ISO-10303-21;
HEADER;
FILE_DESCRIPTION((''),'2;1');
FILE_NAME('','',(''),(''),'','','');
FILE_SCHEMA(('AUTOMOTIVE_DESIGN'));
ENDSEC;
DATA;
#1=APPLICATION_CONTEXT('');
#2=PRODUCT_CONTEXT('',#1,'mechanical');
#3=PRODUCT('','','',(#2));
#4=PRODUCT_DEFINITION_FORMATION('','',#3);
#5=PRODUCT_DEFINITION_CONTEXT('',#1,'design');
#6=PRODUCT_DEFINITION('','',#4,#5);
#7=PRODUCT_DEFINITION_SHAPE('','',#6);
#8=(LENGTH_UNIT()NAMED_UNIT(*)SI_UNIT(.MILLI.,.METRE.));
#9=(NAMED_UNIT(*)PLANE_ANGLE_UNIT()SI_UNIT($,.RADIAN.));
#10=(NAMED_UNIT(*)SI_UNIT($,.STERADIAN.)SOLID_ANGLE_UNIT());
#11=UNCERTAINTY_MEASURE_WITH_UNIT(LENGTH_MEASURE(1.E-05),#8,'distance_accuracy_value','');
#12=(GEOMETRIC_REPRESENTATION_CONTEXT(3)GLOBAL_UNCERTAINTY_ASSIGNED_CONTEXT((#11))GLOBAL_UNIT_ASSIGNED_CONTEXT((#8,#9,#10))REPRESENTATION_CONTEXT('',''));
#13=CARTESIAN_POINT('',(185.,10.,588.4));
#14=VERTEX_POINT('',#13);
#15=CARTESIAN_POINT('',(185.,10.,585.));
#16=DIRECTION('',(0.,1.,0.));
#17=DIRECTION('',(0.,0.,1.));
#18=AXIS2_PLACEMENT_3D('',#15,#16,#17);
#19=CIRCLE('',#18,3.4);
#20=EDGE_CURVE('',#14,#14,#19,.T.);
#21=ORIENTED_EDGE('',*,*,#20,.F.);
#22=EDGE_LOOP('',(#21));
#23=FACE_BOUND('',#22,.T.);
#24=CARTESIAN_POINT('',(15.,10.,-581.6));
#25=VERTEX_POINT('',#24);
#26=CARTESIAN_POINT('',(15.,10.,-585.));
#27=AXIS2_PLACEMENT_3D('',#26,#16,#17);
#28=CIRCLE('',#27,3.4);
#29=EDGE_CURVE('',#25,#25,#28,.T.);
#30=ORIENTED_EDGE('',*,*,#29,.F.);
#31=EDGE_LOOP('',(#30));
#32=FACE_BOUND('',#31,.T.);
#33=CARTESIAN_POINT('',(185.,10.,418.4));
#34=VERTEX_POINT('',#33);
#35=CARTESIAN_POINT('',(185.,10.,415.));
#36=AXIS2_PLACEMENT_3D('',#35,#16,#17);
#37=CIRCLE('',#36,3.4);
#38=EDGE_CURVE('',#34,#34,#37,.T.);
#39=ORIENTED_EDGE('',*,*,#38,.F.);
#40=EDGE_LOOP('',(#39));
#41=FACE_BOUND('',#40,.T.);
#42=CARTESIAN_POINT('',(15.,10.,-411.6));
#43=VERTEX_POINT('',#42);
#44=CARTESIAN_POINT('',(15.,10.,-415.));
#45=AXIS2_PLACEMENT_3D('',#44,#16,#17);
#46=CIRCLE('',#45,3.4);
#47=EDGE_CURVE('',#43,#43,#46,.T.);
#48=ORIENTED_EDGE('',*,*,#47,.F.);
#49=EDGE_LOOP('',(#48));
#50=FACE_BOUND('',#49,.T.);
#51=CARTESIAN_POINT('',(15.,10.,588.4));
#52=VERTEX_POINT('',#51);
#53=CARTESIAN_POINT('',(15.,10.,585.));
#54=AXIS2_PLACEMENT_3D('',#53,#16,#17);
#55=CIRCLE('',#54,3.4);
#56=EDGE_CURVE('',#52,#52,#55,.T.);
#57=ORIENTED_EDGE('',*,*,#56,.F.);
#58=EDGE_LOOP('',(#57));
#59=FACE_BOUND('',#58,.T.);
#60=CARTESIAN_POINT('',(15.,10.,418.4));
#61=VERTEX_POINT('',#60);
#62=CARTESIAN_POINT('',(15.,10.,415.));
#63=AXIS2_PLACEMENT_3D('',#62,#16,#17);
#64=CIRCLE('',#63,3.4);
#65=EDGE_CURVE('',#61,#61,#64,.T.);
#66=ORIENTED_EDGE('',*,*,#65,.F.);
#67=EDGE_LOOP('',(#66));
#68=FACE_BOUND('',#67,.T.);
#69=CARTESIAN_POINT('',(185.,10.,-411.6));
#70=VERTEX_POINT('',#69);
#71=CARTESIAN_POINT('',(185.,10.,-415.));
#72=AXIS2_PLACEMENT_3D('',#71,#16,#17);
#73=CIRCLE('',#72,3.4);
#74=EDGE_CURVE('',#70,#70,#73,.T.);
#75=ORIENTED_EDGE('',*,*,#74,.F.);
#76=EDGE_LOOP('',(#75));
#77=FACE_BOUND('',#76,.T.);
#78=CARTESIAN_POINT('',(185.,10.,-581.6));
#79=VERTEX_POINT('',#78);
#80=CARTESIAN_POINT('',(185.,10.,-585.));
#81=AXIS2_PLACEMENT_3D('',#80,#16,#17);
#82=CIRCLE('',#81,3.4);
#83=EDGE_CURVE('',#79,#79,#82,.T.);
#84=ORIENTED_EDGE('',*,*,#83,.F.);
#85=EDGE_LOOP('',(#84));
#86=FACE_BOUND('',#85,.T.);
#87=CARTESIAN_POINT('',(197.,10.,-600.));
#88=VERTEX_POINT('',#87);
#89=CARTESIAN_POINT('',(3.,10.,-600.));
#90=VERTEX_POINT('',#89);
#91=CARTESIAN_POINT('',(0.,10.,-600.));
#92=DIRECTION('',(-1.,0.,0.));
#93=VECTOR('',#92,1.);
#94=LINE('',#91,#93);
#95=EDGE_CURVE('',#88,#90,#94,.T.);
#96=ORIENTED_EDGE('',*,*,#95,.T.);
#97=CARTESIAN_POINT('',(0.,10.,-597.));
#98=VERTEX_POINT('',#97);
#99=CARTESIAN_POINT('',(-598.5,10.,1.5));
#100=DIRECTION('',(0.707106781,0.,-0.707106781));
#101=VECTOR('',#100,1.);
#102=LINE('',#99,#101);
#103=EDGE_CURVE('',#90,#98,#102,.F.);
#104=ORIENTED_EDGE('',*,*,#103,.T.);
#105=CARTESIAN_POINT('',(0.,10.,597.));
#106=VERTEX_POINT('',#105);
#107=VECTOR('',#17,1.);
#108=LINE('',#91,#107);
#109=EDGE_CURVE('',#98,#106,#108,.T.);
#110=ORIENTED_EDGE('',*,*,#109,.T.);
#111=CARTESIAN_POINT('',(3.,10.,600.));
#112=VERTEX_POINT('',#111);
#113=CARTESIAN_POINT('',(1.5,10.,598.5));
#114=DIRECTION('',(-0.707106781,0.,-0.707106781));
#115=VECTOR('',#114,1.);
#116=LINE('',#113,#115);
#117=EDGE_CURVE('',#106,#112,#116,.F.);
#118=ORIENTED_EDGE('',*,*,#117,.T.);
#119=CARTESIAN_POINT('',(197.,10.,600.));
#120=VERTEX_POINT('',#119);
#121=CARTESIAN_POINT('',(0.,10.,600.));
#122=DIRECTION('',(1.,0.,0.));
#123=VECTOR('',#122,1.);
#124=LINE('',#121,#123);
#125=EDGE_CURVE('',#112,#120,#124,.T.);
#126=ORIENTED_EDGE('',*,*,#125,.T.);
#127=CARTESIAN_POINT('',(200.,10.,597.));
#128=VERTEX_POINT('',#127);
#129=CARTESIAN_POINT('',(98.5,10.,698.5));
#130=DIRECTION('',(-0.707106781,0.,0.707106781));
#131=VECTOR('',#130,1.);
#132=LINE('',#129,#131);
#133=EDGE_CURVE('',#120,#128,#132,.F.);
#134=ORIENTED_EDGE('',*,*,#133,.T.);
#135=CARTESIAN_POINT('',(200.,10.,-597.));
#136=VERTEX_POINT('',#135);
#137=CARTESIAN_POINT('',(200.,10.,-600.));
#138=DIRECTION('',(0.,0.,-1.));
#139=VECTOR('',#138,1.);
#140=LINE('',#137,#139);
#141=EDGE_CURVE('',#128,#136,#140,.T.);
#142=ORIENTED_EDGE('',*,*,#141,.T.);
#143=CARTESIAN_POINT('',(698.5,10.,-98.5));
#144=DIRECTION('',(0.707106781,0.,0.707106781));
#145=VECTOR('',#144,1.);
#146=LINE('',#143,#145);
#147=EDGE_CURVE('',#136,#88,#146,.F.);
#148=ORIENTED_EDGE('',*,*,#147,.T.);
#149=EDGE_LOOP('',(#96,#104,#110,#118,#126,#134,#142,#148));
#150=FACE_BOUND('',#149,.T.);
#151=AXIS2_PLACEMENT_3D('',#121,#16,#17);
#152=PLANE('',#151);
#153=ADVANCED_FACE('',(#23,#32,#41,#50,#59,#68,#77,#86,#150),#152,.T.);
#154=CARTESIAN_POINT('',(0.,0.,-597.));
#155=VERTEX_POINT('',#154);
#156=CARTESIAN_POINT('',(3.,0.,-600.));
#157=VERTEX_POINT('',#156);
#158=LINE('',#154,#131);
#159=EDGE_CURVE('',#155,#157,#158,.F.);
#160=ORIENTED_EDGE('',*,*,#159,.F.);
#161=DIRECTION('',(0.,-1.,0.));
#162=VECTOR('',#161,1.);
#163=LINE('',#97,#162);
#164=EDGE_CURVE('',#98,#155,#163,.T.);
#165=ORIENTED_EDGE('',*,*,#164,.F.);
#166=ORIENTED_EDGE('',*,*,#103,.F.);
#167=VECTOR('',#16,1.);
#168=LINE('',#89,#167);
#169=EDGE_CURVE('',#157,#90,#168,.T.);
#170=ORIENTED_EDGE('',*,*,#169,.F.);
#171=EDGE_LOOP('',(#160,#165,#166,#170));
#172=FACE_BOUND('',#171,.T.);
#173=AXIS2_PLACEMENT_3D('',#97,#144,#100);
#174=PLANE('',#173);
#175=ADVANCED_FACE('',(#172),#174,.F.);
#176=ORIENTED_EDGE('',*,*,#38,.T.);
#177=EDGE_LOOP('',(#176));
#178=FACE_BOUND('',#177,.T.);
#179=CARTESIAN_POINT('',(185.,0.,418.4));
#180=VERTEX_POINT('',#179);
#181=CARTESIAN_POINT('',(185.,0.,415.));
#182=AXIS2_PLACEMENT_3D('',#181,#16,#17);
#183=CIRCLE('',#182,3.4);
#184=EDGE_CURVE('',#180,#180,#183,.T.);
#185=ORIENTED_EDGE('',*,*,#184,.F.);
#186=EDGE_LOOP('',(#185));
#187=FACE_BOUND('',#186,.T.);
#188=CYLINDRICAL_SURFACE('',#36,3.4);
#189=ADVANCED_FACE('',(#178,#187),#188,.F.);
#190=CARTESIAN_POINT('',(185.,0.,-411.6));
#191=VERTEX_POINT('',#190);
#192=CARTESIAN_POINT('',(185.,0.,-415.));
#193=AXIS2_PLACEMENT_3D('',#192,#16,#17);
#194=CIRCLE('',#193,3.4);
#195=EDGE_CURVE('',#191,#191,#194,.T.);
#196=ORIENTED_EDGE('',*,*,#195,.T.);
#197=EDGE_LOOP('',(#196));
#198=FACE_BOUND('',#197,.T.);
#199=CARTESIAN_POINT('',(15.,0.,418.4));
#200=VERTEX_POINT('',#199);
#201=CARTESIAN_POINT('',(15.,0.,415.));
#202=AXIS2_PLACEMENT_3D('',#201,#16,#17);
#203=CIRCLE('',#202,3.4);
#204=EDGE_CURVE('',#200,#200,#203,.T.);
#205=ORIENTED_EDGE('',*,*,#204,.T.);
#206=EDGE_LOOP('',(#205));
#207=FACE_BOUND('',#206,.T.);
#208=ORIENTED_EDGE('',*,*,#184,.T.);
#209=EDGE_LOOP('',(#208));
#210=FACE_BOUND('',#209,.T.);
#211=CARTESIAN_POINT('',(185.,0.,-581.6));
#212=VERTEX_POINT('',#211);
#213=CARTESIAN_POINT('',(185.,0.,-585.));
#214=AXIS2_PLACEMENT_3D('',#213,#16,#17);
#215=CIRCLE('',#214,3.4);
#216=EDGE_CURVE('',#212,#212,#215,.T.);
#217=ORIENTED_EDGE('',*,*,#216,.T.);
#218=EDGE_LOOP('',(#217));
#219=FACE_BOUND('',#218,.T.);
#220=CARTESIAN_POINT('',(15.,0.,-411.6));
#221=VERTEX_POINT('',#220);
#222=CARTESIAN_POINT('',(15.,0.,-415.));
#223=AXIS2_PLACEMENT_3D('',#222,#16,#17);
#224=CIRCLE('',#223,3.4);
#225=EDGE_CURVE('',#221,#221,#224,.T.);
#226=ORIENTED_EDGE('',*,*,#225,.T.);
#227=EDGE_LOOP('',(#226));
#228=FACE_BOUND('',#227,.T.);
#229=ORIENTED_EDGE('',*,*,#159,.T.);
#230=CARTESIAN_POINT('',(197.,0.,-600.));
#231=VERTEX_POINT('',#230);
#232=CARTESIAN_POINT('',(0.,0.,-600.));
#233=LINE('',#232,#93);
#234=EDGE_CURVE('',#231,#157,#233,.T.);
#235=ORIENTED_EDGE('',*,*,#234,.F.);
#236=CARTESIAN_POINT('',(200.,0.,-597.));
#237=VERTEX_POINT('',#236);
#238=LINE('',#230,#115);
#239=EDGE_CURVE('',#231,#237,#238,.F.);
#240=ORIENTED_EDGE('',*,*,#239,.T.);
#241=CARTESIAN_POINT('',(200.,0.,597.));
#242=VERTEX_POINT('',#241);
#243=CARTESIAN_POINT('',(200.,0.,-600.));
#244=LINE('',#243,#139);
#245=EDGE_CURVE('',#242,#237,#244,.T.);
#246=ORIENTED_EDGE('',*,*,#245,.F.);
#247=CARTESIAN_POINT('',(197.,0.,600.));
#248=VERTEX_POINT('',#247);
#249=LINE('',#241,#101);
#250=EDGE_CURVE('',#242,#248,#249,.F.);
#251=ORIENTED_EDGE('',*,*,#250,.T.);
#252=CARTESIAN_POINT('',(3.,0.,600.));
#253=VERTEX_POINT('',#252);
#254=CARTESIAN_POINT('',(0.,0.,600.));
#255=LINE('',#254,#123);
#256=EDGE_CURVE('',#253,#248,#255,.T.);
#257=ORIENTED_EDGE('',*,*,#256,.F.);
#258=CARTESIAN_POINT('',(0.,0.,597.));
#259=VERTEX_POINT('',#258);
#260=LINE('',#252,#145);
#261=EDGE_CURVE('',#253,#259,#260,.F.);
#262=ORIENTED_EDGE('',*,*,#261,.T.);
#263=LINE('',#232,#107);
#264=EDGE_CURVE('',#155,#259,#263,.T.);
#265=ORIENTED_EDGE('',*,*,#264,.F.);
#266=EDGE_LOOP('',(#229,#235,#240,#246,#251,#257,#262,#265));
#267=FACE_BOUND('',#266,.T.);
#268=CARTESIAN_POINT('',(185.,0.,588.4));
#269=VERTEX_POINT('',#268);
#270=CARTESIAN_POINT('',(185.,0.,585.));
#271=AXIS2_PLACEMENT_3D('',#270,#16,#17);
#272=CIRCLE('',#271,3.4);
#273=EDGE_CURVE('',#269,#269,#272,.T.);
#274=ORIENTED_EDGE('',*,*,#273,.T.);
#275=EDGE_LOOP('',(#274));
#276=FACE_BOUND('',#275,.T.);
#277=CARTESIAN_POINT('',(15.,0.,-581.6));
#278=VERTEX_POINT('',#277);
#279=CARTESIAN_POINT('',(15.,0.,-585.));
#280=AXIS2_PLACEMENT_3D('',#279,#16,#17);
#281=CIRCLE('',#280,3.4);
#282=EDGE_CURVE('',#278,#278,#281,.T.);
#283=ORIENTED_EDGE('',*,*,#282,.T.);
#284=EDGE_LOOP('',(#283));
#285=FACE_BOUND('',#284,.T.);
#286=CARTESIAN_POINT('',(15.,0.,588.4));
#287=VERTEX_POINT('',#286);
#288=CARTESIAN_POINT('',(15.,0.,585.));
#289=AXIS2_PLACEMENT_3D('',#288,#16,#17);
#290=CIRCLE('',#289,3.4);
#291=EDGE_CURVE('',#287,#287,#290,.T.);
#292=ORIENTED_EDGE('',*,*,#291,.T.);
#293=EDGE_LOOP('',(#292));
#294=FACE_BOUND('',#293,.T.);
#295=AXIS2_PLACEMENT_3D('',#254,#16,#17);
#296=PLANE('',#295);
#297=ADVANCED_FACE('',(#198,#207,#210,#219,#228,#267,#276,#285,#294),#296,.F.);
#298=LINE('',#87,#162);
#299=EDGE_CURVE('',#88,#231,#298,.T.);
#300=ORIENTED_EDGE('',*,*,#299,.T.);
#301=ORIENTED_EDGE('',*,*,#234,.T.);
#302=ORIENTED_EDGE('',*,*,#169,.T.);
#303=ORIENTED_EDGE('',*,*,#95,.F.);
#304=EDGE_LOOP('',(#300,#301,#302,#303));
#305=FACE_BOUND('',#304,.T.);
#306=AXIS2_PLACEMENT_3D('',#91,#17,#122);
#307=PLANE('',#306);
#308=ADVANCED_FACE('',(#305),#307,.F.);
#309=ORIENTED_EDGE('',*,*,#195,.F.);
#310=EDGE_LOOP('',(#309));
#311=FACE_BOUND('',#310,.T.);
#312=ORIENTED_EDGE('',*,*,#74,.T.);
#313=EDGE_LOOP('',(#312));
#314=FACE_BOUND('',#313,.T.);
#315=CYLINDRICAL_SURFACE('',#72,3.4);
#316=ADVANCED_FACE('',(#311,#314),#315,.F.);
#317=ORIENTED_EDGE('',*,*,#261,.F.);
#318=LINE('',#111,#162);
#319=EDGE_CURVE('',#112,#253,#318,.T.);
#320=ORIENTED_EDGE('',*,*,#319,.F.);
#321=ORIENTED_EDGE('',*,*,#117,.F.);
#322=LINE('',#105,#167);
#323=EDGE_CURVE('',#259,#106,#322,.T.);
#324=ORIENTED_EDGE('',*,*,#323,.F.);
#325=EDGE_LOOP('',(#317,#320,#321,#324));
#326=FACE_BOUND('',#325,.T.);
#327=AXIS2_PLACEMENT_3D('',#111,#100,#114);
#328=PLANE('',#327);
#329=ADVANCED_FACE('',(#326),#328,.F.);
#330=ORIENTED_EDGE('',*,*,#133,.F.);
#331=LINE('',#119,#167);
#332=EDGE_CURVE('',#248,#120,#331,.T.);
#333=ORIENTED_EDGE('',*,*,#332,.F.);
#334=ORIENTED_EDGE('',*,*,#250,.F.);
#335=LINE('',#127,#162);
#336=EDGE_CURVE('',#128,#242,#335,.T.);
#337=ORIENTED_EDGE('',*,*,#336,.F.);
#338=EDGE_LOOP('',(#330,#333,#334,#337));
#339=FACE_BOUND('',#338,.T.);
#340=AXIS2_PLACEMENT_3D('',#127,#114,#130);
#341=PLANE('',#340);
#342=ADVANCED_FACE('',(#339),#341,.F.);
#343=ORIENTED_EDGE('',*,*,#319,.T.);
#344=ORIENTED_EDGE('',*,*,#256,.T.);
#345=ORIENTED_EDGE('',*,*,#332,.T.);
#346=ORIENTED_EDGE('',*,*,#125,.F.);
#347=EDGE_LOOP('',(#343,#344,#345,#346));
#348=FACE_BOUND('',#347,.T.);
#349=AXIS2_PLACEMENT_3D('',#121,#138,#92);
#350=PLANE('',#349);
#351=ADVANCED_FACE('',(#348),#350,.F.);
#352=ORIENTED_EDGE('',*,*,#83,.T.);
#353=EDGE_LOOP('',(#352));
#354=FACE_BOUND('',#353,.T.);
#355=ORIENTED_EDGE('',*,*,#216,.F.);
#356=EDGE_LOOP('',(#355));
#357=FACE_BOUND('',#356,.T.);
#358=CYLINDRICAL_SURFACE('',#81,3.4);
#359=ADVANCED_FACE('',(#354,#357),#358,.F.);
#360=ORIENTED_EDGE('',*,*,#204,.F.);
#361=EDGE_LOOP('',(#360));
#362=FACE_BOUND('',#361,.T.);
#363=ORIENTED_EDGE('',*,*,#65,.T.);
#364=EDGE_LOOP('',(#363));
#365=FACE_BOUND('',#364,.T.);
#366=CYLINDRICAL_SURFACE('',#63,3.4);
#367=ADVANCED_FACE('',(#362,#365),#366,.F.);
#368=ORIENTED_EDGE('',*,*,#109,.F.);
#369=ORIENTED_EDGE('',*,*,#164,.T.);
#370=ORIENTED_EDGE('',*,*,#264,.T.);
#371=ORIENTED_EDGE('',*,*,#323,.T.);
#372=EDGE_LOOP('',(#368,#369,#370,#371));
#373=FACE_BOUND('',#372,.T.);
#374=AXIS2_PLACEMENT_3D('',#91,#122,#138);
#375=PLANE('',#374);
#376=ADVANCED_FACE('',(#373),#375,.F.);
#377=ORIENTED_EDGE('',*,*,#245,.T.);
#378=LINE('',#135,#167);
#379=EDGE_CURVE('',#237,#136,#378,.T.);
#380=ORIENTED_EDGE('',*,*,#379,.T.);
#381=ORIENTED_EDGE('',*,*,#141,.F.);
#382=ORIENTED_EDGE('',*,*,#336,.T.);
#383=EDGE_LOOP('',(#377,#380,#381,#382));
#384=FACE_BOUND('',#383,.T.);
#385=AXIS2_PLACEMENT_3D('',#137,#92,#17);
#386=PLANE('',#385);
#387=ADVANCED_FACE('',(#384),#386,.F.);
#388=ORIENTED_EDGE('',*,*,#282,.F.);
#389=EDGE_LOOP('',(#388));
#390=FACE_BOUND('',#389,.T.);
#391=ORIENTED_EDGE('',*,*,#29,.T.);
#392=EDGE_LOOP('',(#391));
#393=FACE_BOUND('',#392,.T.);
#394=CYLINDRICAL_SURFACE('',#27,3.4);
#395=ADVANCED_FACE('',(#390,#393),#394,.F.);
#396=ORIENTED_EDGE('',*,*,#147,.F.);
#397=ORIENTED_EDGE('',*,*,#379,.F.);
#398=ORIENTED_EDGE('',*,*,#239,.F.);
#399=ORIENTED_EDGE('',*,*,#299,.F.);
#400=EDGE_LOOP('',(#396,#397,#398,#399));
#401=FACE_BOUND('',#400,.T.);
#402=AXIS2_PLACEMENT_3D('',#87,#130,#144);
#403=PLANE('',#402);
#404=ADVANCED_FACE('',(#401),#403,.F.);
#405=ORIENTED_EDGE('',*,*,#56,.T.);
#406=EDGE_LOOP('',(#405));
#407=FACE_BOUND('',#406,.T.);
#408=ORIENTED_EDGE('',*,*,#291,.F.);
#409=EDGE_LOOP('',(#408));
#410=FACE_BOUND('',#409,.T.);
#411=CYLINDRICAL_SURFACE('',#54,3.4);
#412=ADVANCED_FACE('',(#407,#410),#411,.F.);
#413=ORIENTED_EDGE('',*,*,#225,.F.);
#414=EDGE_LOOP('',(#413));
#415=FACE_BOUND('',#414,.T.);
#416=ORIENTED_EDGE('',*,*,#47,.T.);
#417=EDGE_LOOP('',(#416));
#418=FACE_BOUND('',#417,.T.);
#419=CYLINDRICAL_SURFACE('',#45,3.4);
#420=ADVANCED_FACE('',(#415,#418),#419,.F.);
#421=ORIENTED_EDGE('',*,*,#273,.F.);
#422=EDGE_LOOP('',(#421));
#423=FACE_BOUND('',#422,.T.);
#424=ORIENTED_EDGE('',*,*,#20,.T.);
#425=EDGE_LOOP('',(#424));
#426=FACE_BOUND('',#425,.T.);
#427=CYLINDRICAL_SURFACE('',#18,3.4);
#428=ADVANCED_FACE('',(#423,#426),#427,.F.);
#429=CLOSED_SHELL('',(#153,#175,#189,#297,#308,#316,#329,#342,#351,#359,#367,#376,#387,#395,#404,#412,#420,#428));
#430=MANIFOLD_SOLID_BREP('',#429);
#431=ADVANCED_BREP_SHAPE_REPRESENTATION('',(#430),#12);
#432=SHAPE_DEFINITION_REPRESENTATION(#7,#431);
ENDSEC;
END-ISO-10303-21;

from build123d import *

# Parameters (mm, degrees)
SKETCH1_W              = 200
SKETCH1_H              = 1200
BOSS_EXTRUDE1_DEPTH    = 10
M8X1_25_TAPPED_HOLE1_D = 6.8
CHAMFER1_SIZE          = 3


with BuildPart() as part:
    # Sketch1 → Boss-Extrude1 (new body)
    with BuildSketch(Plane(origin=(0, 0, 0), x_dir=(1, 0, 0), z_dir=(0, 1, 0))):
        with Locations((100, 0)):
            Rectangle(SKETCH1_W, SKETCH1_H)
    extrude(amount=BOSS_EXTRUDE1_DEPTH)

    # M8x1.25 Tapped Hole1 (through all)
    with Locations(Plane(origin=(0, 10, 0), x_dir=(-1, 0, 0), z_dir=(0, 1, 0))):
        with Locations((-15, -585), (-15, -415), (-185, -415), (-185, -585), (-185, 415), (-185, 585), (-15, 585), (-15, 415)):
            Hole(M8X1_25_TAPPED_HOLE1_D / 2)

    # Chamfer1
    chamfer1_edges = [part.edges().sort_by_distance(p)[0] for p in [
        (0, 5, -600),
        (200, 5, -600),
        (200, 5, 600),
        (0, 5, 600),
    ]]
    chamfer(chamfer1_edges, length=CHAMFER1_SIZE)


solid = part.part
